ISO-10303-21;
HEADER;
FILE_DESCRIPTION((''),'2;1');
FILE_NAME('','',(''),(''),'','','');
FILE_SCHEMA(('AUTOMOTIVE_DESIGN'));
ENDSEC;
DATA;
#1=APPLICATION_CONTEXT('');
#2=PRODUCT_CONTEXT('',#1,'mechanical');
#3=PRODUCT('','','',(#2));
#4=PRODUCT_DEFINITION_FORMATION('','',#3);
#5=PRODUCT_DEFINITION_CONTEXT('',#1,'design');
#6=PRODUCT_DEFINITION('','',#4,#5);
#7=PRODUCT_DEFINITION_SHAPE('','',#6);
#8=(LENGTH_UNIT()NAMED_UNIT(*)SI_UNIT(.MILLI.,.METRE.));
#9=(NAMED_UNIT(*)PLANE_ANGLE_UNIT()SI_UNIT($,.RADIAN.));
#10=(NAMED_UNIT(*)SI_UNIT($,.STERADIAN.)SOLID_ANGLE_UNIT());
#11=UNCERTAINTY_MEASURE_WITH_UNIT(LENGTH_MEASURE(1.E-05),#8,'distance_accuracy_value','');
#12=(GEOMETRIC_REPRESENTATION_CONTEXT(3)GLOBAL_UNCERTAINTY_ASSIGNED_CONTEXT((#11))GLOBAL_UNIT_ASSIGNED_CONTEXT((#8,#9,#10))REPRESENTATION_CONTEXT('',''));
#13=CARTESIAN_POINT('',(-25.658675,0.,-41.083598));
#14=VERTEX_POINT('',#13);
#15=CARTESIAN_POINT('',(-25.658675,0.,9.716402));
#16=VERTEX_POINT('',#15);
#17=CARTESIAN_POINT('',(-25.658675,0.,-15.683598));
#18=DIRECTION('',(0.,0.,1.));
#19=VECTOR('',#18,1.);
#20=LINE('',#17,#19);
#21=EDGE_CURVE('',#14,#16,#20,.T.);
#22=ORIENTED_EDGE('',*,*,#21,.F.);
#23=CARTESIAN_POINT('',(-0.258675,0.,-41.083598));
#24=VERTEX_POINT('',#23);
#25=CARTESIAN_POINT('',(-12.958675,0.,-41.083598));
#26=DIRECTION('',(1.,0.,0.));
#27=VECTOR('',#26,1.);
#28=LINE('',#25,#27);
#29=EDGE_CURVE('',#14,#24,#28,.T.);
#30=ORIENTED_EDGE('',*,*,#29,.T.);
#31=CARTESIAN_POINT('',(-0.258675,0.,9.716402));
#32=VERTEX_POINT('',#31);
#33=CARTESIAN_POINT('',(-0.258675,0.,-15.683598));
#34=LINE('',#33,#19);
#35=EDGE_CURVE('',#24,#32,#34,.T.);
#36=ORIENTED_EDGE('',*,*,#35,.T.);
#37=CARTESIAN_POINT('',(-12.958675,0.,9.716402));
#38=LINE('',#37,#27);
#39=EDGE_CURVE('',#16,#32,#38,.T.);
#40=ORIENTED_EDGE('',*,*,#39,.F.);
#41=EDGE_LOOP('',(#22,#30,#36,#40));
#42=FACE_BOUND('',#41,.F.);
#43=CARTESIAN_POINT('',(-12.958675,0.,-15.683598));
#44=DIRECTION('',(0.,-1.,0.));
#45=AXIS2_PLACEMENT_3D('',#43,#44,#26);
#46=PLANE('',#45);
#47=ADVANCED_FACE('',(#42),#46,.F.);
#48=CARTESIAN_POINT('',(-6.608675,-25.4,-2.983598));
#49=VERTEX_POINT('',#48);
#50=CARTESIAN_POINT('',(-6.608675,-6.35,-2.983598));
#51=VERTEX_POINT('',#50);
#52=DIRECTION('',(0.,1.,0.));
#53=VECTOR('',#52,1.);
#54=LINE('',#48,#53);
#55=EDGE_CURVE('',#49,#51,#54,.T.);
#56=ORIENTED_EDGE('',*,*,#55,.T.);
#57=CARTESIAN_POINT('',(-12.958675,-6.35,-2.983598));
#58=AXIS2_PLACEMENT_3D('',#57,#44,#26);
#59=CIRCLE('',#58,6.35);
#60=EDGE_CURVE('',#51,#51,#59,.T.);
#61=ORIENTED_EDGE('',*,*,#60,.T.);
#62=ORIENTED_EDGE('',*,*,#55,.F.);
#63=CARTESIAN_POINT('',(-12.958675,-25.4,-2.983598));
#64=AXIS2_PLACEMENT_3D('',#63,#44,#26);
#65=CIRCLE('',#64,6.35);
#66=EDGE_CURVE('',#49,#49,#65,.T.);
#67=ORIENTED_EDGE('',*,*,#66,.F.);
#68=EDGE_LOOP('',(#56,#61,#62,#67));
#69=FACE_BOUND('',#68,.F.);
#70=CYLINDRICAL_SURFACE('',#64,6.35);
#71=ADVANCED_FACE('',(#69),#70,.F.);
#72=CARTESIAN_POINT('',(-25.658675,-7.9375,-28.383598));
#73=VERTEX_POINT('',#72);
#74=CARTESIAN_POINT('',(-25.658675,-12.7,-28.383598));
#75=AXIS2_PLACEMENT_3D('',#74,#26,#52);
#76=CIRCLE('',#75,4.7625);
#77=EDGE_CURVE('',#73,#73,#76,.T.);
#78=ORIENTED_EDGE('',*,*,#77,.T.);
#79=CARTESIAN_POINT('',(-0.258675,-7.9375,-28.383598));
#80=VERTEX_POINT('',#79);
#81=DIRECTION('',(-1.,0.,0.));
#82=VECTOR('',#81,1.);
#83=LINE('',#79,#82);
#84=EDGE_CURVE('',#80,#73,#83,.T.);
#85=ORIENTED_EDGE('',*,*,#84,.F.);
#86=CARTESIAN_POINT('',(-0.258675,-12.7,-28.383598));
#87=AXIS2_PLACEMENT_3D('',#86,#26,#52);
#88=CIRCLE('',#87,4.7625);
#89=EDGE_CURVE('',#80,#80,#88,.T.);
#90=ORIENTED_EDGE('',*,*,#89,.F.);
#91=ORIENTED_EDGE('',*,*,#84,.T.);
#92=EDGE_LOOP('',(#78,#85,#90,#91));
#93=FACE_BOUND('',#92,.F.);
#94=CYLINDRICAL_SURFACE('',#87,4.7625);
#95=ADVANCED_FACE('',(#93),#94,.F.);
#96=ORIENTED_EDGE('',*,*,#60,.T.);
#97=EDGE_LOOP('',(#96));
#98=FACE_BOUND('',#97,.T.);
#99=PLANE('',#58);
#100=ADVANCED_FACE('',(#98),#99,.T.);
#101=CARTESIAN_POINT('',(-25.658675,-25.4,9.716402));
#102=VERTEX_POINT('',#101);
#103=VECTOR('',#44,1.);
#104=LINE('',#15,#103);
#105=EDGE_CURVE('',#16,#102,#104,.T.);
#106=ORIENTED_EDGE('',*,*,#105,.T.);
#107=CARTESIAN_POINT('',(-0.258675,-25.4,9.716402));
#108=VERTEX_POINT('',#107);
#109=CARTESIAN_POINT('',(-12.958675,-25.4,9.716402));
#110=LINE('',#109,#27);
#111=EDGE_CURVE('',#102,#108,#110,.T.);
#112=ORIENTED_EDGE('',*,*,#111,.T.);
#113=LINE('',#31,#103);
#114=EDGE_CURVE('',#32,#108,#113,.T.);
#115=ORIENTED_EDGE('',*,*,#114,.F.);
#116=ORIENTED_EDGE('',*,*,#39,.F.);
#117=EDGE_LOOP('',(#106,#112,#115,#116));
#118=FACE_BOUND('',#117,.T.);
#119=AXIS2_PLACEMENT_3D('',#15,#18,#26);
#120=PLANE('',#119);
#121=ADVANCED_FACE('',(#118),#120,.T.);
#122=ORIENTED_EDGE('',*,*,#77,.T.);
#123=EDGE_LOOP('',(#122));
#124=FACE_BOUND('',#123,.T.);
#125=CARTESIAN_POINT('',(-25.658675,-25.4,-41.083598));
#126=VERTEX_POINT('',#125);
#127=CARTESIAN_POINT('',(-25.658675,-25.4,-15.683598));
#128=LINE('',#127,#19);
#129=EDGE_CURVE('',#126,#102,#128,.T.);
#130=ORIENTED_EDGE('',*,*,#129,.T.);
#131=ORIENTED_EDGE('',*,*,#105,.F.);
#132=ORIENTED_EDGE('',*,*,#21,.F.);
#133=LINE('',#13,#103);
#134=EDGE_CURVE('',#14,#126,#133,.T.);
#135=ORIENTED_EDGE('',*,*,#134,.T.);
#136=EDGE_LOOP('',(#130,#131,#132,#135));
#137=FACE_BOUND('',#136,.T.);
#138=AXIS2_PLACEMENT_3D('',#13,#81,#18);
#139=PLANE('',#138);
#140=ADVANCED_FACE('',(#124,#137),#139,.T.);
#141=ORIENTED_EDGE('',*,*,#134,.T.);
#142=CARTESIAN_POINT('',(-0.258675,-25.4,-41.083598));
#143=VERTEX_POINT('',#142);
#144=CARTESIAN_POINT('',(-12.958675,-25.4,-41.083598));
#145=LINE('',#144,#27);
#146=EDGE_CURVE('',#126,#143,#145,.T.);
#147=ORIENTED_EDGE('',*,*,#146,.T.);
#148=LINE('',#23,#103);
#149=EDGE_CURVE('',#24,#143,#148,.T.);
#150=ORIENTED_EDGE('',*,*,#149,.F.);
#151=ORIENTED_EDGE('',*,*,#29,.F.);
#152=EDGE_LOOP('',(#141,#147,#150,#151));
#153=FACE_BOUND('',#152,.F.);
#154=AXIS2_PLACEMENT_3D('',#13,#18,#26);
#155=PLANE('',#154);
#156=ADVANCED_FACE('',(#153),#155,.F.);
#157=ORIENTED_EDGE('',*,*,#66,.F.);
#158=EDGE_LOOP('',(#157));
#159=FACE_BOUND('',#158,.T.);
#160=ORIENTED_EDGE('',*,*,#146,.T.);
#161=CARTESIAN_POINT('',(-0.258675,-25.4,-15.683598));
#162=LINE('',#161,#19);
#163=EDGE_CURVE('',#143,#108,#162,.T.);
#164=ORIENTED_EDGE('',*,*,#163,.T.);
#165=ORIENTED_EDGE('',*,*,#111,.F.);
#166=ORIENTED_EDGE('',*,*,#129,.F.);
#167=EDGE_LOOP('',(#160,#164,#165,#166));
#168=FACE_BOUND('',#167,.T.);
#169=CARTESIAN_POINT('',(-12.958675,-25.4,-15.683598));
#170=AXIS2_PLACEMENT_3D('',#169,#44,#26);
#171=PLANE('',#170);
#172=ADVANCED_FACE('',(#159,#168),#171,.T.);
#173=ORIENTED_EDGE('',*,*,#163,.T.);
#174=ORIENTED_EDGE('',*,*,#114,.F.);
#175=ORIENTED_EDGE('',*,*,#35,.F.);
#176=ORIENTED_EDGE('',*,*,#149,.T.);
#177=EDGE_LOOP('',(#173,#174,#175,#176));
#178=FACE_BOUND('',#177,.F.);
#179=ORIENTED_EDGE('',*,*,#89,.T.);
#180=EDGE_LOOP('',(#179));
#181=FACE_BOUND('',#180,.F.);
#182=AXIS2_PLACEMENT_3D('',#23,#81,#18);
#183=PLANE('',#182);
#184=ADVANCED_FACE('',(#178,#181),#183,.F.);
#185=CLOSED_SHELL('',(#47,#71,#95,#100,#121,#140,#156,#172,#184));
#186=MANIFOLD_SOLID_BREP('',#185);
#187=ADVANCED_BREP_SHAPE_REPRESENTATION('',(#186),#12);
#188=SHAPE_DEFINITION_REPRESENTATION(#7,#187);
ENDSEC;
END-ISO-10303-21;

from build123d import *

# Parameters (mm, degrees)
F0_W     = 25.4
F0_H     = 50.8
F1_DEPTH = 25.4
F2_R     = 6.35
F3_DEPTH = 19.05
F4_R     = 4.7625
F5_DEPTH = 25.4


with BuildPart() as f1:
    # F0 (on Front) → F1 (new body)
    with BuildSketch(Plane.XZ):
        with Locations((-12.958675, -15.683598)):
            Rectangle(F0_W, F0_H)
    extrude(amount=F1_DEPTH)

    # F2 (on face) → F3 (cut)
    with BuildSketch(Plane.XZ.offset(25.4)):
        with Locations((-12.958675, -2.983598)):
            Circle(F2_R)
    extrude(amount=-F3_DEPTH, mode=Mode.SUBTRACT)

    # F4 (on face) → F5 (cut)
    with BuildSketch(Plane.YZ.offset(-0.258675)):
        with Locations((-12.7, -28.383598)):
            Circle(F4_R)
    extrude(amount=-F5_DEPTH, mode=Mode.SUBTRACT)


solid = f1.part
